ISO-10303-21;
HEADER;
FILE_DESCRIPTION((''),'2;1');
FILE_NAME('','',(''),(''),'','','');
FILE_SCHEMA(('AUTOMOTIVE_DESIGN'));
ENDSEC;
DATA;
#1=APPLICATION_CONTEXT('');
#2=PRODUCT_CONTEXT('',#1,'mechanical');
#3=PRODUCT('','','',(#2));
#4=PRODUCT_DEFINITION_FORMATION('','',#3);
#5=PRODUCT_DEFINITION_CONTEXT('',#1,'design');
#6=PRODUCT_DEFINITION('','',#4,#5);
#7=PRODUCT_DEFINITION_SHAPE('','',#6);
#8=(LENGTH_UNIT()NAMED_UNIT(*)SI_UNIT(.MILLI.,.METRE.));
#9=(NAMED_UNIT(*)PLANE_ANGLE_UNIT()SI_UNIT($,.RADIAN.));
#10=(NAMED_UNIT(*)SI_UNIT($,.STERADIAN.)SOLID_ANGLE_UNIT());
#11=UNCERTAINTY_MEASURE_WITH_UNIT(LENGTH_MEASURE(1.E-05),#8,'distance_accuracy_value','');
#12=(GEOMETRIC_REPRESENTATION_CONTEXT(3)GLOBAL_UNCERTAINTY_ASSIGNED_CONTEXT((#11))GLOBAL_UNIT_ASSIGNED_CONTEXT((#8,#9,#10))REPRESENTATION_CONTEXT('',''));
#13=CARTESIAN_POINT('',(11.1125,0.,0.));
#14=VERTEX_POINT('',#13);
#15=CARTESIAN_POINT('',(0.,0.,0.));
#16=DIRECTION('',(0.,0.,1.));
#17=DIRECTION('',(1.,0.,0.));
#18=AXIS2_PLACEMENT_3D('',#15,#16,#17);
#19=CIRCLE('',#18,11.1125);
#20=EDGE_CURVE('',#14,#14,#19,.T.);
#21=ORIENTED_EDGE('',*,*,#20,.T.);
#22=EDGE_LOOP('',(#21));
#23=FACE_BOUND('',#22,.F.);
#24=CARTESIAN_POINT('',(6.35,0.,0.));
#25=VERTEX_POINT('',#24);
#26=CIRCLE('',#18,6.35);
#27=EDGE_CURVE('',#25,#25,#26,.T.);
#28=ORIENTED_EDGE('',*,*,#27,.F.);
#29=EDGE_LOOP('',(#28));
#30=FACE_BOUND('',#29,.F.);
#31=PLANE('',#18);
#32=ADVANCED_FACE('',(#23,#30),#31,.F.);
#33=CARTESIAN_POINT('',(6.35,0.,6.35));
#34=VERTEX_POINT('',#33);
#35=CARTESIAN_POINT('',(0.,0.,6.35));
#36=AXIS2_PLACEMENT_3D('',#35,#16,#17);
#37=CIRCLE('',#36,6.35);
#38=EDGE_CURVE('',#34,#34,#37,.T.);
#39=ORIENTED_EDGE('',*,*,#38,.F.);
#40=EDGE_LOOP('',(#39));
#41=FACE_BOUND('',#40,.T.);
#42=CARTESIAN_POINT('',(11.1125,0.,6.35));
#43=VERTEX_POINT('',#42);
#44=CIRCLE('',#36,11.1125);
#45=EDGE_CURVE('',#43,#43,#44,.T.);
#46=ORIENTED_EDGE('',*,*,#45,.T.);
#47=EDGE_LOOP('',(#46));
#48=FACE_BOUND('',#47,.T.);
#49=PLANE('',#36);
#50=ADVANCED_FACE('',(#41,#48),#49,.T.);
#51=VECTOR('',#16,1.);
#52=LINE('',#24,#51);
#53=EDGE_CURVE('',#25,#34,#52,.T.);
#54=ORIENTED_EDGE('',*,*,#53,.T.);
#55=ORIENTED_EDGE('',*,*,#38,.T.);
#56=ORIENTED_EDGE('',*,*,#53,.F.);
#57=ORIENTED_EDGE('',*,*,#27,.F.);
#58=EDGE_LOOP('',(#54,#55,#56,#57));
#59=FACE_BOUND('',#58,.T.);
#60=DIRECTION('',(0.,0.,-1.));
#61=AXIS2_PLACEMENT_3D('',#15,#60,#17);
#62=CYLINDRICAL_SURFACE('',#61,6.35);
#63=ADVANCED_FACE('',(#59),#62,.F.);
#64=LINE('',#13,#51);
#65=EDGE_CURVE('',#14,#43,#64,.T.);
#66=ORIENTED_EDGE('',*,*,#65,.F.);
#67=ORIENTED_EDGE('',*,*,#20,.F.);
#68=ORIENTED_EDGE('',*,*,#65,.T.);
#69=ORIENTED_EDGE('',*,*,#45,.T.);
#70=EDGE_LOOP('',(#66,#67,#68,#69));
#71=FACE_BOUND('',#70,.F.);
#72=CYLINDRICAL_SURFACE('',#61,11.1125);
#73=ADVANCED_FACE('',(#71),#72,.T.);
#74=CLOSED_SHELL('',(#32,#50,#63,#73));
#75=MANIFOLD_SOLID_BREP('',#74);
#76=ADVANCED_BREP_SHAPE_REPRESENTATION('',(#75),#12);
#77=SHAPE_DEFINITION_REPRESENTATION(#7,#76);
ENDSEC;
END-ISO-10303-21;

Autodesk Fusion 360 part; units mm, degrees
sketch "Sketch1" plane through (0, 0, 0) normal (0, 0, 1) x (1, 0, 0)
  circle A0 centre (0, 0) radius 11.1125
  circle A1 centre (0, 0) radius 6.35
  dimension "d1" = 22.225
  dimension "d2" = 12.7
extrude "Extrude1" add sketch "Sketch1" along normal blind 6.35
